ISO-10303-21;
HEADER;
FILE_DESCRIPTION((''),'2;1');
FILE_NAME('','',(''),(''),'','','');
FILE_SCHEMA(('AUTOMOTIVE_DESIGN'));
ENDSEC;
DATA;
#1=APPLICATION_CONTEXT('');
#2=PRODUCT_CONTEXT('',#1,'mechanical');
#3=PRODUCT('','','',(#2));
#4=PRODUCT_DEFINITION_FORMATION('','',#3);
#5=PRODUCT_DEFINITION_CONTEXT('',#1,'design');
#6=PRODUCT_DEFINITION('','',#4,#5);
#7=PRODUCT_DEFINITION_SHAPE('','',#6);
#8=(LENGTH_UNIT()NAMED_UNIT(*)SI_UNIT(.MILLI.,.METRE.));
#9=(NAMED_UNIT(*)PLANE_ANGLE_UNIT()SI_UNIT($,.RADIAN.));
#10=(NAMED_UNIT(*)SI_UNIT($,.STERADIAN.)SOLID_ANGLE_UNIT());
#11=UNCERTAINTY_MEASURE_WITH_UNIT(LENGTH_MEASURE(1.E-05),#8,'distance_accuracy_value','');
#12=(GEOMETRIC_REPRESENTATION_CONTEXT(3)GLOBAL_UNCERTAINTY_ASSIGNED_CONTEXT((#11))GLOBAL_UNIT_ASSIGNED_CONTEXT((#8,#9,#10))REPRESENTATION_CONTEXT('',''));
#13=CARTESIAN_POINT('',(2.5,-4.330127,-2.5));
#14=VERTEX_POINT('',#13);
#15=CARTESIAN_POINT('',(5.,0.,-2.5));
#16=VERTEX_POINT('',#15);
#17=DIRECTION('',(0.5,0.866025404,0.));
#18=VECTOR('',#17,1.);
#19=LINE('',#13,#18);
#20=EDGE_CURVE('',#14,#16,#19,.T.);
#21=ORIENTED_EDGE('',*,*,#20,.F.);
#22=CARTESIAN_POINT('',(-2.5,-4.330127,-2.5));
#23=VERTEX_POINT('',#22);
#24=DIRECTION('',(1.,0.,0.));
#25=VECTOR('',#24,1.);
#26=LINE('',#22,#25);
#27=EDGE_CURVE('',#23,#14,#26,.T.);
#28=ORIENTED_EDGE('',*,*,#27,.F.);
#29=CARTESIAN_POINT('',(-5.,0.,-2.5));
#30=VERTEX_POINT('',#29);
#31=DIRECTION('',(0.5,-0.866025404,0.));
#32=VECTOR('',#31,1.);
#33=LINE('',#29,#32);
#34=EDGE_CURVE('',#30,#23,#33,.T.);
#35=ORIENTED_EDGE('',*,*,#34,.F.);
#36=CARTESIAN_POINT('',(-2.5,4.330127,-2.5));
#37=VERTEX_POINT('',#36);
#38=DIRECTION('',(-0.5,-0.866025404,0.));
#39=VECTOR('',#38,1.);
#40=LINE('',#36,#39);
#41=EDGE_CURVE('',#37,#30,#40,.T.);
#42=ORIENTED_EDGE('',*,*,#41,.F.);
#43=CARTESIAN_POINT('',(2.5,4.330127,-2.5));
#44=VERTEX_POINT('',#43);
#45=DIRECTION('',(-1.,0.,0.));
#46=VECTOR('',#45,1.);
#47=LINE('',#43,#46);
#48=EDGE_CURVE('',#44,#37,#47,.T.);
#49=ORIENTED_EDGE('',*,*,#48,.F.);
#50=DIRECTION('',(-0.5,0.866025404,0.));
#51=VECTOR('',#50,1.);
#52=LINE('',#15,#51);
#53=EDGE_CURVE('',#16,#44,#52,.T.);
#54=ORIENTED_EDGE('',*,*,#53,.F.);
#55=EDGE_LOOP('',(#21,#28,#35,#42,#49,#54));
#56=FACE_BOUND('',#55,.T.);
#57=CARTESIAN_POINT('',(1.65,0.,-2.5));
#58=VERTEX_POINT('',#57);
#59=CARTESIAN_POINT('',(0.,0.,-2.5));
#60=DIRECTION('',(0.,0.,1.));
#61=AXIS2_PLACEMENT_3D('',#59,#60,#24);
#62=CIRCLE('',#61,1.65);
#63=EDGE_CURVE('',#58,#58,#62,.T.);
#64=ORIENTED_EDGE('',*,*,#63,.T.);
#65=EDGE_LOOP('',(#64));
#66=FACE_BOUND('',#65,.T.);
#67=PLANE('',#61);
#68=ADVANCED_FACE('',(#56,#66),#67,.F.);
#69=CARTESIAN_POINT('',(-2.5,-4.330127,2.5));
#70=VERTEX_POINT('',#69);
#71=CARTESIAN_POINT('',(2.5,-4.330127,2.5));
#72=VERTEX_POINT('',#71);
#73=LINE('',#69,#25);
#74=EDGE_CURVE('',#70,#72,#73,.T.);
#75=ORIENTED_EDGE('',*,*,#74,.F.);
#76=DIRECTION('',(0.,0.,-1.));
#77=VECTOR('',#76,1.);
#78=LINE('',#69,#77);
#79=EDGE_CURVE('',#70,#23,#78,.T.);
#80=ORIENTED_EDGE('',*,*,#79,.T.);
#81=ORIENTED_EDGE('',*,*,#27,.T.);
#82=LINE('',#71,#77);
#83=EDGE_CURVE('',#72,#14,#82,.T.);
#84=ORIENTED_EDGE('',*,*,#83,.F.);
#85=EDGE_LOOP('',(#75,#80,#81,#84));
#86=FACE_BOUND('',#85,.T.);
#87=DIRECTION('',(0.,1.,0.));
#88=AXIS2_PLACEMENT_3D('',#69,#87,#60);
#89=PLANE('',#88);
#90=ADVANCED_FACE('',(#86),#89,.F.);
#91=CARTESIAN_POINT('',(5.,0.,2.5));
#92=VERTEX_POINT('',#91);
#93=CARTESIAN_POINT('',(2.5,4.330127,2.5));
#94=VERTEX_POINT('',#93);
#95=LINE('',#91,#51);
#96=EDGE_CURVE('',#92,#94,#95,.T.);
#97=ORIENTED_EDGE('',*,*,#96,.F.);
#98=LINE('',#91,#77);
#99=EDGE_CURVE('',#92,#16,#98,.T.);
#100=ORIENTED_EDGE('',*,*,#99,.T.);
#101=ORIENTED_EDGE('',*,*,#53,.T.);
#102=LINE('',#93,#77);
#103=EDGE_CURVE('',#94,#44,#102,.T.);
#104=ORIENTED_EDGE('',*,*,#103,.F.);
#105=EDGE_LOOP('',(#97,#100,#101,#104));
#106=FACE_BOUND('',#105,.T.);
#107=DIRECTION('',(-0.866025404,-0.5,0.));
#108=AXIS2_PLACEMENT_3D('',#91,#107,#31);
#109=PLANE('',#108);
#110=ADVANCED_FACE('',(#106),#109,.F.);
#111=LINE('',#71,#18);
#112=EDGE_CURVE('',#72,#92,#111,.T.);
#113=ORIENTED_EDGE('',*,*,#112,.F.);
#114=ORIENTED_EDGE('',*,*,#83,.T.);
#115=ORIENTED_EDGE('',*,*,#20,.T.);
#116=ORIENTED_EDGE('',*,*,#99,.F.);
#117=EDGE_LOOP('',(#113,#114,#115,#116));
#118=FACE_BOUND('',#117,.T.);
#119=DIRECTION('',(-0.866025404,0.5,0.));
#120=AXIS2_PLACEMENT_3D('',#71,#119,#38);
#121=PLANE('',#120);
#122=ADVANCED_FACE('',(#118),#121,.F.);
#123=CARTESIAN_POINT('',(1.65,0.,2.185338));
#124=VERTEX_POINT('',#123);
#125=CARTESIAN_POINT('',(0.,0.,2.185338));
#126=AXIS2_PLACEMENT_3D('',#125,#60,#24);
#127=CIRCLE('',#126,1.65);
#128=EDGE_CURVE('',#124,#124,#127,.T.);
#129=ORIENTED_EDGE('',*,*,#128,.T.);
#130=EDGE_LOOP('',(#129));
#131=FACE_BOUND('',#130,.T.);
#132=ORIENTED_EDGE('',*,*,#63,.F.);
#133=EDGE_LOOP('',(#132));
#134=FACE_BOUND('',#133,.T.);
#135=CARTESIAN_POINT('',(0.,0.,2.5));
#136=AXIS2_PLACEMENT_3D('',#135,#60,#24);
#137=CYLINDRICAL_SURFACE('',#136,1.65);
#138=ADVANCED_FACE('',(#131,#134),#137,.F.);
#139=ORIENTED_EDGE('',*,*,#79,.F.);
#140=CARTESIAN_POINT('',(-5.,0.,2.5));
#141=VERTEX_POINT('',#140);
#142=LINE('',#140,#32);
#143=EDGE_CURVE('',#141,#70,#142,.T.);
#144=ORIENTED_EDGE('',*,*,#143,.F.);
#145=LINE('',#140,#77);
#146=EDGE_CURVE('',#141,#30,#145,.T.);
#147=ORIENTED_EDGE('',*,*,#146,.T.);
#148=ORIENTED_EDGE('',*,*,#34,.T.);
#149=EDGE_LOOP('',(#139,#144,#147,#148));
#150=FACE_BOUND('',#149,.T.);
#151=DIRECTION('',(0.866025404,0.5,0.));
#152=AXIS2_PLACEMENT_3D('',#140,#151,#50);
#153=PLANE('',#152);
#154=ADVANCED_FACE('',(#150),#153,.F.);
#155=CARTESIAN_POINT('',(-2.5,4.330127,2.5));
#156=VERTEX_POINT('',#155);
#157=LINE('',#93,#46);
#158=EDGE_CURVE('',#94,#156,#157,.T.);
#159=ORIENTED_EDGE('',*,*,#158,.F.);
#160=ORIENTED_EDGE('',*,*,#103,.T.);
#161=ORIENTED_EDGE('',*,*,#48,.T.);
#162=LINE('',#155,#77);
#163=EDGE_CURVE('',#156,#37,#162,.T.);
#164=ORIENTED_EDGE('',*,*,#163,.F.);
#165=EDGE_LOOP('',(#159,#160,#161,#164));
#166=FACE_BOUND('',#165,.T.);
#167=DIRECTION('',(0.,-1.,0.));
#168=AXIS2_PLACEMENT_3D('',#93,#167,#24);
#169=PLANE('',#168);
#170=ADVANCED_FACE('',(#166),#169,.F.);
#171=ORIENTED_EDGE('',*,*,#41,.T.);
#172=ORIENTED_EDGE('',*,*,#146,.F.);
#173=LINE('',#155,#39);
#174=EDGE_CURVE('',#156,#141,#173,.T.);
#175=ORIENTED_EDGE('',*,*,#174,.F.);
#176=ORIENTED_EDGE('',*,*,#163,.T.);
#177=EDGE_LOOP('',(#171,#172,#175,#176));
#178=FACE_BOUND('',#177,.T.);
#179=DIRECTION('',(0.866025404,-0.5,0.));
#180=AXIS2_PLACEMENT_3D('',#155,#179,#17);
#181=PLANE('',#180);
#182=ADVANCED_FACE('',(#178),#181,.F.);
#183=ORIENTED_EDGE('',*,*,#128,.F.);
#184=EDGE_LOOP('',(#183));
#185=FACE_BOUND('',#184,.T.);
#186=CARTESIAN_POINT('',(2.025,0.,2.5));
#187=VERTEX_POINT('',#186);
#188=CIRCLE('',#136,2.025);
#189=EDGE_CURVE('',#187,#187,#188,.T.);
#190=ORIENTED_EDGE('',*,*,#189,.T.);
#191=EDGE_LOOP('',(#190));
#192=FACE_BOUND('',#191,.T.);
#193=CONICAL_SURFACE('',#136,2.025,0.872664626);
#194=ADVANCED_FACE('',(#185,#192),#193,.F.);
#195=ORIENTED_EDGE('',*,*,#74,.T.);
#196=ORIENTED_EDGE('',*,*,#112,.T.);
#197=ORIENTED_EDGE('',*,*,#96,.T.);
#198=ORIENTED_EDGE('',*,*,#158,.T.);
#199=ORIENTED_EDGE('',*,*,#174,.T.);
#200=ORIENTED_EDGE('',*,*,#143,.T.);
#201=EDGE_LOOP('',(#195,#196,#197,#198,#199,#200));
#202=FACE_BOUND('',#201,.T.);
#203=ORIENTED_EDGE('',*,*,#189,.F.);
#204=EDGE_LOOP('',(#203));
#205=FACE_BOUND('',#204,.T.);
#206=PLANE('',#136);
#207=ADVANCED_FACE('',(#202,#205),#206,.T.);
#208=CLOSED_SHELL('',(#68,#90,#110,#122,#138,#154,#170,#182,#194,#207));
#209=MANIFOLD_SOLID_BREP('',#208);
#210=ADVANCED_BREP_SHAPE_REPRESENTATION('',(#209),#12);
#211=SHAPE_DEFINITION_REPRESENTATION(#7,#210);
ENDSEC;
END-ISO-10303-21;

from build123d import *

# Parameters (mm, degrees)
BOSS_EXTRUDE1_DEPTH             = 2.5
M4X0_7_TAPPED_HOLE1_D           = 3.3
M4X0_7_TAPPED_HOLE1_CSINK_D     = 4.05
M4X0_7_TAPPED_HOLE1_CSINK_ANGLE = 100


with BuildPart() as part:
    # Sketch1 → Boss-Extrude1 (new, symmetric)
    with BuildSketch(Plane.XY):
        Polygon((5, 0), (2.5, 4.330127019), (-2.5, 4.330127019), (-5, 0), (-2.5, -4.330127019), (2.5, -4.330127019), align=None)
    extrude(amount=BOSS_EXTRUDE1_DEPTH, both=True)

    # M4x0.7 Tapped Hole1 (through all)
    with Locations(Plane.XY.offset(2.5)):
        with Locations((0, 0)):
            CounterSinkHole(M4X0_7_TAPPED_HOLE1_D / 2, M4X0_7_TAPPED_HOLE1_CSINK_D / 2, counter_sink_angle=M4X0_7_TAPPED_HOLE1_CSINK_ANGLE)


solid = part.part
